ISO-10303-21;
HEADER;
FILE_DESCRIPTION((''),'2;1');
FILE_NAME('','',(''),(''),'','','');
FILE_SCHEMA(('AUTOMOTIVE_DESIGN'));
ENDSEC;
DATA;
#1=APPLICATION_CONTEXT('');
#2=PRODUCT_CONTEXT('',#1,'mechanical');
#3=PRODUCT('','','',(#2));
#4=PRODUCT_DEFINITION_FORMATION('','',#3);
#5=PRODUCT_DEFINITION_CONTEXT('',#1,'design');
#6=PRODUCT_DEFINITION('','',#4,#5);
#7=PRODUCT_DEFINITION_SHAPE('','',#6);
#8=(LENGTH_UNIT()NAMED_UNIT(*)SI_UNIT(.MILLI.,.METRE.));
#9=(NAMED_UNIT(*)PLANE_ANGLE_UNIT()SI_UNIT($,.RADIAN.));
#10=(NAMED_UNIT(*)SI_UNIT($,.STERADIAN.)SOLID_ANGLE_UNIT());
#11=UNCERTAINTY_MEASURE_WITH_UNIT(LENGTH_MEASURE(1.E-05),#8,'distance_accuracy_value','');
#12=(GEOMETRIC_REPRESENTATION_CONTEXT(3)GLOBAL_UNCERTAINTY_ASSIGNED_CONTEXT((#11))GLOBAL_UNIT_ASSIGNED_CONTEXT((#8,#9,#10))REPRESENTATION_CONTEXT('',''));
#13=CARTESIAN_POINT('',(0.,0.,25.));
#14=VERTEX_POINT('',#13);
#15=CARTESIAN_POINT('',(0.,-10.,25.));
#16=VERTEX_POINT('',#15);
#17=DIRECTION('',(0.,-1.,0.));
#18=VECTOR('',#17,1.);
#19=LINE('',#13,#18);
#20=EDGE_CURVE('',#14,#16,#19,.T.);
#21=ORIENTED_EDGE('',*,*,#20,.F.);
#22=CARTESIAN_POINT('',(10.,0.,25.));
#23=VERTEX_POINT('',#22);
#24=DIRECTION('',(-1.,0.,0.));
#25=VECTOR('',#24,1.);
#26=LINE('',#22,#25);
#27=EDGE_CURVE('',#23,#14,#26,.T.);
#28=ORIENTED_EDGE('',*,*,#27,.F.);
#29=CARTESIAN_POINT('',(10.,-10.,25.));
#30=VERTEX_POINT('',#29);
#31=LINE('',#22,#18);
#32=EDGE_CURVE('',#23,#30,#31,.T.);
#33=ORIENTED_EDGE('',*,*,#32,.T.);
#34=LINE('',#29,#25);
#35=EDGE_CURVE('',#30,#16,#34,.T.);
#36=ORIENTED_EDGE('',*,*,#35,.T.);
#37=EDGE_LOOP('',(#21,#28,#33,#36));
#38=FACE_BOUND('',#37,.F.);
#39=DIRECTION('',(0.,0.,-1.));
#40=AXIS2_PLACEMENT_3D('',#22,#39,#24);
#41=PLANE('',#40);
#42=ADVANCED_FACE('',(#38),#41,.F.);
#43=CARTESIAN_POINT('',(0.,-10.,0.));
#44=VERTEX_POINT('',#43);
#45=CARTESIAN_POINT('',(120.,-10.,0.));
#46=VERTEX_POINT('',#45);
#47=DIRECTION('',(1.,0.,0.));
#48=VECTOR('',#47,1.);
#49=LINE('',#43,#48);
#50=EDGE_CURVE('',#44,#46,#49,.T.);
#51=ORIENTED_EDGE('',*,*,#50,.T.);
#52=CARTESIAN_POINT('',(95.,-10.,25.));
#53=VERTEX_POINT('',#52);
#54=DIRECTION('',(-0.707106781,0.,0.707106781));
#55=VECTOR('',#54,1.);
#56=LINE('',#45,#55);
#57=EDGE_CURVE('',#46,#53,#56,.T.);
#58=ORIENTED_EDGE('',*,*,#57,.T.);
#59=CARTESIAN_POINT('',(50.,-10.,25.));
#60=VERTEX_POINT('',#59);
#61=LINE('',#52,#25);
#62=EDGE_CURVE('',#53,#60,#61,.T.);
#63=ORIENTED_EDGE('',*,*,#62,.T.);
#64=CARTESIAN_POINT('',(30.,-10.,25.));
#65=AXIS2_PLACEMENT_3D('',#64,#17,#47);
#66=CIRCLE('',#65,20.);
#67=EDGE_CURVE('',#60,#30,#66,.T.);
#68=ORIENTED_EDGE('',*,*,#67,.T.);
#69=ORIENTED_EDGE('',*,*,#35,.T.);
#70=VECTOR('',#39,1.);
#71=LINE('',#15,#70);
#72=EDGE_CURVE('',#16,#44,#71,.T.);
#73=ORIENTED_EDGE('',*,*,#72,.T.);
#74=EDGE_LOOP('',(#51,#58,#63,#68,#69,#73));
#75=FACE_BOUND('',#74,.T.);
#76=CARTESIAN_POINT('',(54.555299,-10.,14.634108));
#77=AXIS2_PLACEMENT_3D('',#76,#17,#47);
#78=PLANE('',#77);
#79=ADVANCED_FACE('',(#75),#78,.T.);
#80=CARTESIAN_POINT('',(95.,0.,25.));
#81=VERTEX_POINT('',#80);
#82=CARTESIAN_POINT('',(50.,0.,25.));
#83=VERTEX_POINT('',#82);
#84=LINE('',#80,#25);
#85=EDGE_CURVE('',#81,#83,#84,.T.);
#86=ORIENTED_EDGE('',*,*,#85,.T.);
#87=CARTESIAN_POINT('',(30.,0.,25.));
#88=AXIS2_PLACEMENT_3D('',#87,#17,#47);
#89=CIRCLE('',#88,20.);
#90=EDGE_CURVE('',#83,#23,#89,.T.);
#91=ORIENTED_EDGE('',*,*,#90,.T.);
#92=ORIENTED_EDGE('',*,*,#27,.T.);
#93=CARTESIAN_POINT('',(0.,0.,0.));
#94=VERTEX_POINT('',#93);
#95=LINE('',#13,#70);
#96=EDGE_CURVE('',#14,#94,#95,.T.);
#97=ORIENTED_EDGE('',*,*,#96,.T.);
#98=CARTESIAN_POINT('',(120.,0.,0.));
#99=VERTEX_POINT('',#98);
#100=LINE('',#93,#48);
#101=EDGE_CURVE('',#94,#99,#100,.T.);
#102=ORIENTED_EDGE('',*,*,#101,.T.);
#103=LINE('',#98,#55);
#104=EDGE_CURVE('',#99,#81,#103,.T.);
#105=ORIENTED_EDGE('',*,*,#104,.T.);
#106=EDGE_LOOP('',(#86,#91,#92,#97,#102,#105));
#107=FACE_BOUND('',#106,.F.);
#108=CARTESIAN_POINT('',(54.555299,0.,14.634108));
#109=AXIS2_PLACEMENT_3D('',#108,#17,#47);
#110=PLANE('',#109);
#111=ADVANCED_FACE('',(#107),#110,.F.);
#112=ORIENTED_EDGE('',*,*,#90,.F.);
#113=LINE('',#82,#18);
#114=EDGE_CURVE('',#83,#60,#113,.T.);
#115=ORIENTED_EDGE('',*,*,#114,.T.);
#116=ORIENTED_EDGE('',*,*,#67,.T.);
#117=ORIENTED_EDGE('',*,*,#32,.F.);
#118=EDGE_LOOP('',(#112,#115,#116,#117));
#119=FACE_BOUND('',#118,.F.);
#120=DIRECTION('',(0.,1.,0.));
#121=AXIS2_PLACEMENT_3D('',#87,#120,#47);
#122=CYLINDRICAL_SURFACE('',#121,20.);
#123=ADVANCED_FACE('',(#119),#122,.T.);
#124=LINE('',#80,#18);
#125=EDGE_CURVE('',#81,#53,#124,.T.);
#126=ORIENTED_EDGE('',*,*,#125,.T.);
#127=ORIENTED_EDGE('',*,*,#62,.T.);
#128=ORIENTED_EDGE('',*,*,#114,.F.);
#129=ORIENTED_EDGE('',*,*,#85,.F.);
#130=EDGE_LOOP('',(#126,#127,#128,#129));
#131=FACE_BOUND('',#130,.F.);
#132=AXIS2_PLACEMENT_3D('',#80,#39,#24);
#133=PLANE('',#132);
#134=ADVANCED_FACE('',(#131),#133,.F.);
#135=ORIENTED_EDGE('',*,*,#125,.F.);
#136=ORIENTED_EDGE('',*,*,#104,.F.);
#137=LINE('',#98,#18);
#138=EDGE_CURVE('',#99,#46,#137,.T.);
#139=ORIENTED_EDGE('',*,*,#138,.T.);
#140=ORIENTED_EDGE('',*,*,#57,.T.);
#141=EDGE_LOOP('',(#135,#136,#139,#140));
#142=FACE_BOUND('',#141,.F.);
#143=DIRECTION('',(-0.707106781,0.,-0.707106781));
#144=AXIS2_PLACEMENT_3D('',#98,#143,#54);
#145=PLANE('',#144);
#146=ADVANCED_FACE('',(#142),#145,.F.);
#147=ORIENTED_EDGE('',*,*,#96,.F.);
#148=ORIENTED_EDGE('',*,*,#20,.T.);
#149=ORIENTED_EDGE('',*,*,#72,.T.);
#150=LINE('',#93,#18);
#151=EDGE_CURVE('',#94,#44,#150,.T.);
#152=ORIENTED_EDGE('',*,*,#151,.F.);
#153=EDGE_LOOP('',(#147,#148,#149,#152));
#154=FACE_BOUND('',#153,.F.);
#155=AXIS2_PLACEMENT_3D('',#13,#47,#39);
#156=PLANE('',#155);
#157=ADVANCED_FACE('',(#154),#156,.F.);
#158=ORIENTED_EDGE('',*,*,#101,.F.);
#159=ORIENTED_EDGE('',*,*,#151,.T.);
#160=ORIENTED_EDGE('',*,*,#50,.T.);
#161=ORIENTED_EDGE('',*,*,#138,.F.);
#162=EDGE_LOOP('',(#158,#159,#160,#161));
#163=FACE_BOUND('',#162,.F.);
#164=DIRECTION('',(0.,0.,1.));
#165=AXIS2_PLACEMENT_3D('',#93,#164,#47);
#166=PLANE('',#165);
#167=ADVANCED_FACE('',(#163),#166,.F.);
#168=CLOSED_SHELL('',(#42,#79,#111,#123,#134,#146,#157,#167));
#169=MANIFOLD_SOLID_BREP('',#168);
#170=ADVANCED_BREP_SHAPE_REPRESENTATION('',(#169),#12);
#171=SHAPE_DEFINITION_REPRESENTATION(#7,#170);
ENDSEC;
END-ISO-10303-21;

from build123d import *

# Parameters (mm, degrees)
F0_R     = 10
F1_DEPTH = 10


with BuildPart() as f1:
    # F0 (on Front) → F1 (new body)
    with BuildSketch(Plane.XZ):
        with BuildLine():
            Line((0, 25), (0, 0))
            Line((0, 0), (120, 0))
            Line((120, 0), (95, 25))
            Line((95, 25), (50, 25))
            ThreePointArc((50, 25), (30, 45), (10, 25))
            Line((10, 25), (0, 25))
        make_face()
        with Locations((30, 25)):
            Circle(F0_R, mode=Mode.SUBTRACT)
        with Locations((30, 25)):
            Circle(F0_R)
    extrude(amount=F1_DEPTH)


solid = f1.part
